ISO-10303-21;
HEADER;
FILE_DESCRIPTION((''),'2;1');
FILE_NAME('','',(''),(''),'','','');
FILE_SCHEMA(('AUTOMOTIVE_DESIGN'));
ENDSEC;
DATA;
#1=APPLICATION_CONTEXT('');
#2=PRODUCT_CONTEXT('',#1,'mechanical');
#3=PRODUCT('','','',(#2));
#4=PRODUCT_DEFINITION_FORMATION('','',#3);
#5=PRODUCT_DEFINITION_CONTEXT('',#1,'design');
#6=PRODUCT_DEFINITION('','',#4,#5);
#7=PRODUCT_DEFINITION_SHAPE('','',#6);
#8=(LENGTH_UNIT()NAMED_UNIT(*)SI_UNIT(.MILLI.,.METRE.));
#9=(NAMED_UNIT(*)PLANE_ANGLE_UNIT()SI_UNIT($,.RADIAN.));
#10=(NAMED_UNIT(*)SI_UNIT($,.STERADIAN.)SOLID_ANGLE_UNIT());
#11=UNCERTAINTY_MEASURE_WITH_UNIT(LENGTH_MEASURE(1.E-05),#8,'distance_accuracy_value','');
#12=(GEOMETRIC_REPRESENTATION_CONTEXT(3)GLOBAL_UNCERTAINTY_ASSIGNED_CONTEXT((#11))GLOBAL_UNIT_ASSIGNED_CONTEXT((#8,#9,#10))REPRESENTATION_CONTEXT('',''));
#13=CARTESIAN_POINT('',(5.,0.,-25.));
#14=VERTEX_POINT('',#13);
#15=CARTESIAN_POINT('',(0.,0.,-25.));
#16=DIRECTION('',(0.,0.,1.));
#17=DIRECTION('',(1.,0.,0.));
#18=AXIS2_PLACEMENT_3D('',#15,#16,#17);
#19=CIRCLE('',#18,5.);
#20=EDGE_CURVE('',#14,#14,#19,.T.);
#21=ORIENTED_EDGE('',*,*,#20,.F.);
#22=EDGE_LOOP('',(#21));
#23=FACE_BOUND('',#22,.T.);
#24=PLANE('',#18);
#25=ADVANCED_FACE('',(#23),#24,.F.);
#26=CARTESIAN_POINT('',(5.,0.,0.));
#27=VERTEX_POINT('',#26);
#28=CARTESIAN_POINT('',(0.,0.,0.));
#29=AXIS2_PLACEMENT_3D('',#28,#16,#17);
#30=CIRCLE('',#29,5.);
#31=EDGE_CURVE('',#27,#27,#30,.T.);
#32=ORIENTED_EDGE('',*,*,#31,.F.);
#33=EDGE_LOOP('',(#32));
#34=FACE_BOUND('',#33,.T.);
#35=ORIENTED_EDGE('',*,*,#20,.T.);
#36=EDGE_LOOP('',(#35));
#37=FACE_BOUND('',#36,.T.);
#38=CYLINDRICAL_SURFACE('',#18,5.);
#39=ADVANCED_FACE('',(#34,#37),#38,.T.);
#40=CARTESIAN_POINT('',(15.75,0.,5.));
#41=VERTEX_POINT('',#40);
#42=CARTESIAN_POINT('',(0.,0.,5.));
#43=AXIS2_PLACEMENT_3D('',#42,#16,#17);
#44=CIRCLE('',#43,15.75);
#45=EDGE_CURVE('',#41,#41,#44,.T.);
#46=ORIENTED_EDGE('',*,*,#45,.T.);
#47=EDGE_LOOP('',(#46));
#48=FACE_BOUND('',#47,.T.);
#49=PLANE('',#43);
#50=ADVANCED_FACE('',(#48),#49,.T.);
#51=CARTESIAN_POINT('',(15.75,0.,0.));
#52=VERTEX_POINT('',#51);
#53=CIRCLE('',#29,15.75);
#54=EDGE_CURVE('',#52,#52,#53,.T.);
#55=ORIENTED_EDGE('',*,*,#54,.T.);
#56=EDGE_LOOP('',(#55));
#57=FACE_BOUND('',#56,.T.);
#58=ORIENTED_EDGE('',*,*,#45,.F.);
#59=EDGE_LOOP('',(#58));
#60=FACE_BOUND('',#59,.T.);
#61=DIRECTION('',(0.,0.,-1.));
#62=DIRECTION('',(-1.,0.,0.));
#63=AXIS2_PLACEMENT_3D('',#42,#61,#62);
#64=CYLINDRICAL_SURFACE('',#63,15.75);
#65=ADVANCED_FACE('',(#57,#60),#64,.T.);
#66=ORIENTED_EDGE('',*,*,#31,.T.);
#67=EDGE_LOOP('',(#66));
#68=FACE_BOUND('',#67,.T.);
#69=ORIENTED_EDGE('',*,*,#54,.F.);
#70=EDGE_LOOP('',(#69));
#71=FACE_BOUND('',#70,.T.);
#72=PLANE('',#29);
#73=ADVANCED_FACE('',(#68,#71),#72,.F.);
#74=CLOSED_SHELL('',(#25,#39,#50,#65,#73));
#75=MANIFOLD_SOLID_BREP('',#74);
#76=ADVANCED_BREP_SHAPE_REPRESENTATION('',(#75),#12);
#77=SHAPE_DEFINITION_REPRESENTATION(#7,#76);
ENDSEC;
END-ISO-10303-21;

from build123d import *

# Parameters (mm, degrees)
SKETCH1_R           = 15.75
BOSS_EXTRUDE1_DEPTH = 5
SKETCH1_3_R         = 5
BOSS_EXTRUDE2_DEPTH = 25


with BuildPart() as part:
    # Sketch1 → Boss-Extrude1 (new body)
    with BuildSketch(Plane.XY):
        Circle(SKETCH1_R)
    extrude(amount=BOSS_EXTRUDE1_DEPTH)

    # Sketch1<3> → Boss-Extrude2 (add)
    with BuildSketch(Plane.XY):
        Circle(SKETCH1_3_R)
    extrude(amount=-BOSS_EXTRUDE2_DEPTH)


solid = part.part
